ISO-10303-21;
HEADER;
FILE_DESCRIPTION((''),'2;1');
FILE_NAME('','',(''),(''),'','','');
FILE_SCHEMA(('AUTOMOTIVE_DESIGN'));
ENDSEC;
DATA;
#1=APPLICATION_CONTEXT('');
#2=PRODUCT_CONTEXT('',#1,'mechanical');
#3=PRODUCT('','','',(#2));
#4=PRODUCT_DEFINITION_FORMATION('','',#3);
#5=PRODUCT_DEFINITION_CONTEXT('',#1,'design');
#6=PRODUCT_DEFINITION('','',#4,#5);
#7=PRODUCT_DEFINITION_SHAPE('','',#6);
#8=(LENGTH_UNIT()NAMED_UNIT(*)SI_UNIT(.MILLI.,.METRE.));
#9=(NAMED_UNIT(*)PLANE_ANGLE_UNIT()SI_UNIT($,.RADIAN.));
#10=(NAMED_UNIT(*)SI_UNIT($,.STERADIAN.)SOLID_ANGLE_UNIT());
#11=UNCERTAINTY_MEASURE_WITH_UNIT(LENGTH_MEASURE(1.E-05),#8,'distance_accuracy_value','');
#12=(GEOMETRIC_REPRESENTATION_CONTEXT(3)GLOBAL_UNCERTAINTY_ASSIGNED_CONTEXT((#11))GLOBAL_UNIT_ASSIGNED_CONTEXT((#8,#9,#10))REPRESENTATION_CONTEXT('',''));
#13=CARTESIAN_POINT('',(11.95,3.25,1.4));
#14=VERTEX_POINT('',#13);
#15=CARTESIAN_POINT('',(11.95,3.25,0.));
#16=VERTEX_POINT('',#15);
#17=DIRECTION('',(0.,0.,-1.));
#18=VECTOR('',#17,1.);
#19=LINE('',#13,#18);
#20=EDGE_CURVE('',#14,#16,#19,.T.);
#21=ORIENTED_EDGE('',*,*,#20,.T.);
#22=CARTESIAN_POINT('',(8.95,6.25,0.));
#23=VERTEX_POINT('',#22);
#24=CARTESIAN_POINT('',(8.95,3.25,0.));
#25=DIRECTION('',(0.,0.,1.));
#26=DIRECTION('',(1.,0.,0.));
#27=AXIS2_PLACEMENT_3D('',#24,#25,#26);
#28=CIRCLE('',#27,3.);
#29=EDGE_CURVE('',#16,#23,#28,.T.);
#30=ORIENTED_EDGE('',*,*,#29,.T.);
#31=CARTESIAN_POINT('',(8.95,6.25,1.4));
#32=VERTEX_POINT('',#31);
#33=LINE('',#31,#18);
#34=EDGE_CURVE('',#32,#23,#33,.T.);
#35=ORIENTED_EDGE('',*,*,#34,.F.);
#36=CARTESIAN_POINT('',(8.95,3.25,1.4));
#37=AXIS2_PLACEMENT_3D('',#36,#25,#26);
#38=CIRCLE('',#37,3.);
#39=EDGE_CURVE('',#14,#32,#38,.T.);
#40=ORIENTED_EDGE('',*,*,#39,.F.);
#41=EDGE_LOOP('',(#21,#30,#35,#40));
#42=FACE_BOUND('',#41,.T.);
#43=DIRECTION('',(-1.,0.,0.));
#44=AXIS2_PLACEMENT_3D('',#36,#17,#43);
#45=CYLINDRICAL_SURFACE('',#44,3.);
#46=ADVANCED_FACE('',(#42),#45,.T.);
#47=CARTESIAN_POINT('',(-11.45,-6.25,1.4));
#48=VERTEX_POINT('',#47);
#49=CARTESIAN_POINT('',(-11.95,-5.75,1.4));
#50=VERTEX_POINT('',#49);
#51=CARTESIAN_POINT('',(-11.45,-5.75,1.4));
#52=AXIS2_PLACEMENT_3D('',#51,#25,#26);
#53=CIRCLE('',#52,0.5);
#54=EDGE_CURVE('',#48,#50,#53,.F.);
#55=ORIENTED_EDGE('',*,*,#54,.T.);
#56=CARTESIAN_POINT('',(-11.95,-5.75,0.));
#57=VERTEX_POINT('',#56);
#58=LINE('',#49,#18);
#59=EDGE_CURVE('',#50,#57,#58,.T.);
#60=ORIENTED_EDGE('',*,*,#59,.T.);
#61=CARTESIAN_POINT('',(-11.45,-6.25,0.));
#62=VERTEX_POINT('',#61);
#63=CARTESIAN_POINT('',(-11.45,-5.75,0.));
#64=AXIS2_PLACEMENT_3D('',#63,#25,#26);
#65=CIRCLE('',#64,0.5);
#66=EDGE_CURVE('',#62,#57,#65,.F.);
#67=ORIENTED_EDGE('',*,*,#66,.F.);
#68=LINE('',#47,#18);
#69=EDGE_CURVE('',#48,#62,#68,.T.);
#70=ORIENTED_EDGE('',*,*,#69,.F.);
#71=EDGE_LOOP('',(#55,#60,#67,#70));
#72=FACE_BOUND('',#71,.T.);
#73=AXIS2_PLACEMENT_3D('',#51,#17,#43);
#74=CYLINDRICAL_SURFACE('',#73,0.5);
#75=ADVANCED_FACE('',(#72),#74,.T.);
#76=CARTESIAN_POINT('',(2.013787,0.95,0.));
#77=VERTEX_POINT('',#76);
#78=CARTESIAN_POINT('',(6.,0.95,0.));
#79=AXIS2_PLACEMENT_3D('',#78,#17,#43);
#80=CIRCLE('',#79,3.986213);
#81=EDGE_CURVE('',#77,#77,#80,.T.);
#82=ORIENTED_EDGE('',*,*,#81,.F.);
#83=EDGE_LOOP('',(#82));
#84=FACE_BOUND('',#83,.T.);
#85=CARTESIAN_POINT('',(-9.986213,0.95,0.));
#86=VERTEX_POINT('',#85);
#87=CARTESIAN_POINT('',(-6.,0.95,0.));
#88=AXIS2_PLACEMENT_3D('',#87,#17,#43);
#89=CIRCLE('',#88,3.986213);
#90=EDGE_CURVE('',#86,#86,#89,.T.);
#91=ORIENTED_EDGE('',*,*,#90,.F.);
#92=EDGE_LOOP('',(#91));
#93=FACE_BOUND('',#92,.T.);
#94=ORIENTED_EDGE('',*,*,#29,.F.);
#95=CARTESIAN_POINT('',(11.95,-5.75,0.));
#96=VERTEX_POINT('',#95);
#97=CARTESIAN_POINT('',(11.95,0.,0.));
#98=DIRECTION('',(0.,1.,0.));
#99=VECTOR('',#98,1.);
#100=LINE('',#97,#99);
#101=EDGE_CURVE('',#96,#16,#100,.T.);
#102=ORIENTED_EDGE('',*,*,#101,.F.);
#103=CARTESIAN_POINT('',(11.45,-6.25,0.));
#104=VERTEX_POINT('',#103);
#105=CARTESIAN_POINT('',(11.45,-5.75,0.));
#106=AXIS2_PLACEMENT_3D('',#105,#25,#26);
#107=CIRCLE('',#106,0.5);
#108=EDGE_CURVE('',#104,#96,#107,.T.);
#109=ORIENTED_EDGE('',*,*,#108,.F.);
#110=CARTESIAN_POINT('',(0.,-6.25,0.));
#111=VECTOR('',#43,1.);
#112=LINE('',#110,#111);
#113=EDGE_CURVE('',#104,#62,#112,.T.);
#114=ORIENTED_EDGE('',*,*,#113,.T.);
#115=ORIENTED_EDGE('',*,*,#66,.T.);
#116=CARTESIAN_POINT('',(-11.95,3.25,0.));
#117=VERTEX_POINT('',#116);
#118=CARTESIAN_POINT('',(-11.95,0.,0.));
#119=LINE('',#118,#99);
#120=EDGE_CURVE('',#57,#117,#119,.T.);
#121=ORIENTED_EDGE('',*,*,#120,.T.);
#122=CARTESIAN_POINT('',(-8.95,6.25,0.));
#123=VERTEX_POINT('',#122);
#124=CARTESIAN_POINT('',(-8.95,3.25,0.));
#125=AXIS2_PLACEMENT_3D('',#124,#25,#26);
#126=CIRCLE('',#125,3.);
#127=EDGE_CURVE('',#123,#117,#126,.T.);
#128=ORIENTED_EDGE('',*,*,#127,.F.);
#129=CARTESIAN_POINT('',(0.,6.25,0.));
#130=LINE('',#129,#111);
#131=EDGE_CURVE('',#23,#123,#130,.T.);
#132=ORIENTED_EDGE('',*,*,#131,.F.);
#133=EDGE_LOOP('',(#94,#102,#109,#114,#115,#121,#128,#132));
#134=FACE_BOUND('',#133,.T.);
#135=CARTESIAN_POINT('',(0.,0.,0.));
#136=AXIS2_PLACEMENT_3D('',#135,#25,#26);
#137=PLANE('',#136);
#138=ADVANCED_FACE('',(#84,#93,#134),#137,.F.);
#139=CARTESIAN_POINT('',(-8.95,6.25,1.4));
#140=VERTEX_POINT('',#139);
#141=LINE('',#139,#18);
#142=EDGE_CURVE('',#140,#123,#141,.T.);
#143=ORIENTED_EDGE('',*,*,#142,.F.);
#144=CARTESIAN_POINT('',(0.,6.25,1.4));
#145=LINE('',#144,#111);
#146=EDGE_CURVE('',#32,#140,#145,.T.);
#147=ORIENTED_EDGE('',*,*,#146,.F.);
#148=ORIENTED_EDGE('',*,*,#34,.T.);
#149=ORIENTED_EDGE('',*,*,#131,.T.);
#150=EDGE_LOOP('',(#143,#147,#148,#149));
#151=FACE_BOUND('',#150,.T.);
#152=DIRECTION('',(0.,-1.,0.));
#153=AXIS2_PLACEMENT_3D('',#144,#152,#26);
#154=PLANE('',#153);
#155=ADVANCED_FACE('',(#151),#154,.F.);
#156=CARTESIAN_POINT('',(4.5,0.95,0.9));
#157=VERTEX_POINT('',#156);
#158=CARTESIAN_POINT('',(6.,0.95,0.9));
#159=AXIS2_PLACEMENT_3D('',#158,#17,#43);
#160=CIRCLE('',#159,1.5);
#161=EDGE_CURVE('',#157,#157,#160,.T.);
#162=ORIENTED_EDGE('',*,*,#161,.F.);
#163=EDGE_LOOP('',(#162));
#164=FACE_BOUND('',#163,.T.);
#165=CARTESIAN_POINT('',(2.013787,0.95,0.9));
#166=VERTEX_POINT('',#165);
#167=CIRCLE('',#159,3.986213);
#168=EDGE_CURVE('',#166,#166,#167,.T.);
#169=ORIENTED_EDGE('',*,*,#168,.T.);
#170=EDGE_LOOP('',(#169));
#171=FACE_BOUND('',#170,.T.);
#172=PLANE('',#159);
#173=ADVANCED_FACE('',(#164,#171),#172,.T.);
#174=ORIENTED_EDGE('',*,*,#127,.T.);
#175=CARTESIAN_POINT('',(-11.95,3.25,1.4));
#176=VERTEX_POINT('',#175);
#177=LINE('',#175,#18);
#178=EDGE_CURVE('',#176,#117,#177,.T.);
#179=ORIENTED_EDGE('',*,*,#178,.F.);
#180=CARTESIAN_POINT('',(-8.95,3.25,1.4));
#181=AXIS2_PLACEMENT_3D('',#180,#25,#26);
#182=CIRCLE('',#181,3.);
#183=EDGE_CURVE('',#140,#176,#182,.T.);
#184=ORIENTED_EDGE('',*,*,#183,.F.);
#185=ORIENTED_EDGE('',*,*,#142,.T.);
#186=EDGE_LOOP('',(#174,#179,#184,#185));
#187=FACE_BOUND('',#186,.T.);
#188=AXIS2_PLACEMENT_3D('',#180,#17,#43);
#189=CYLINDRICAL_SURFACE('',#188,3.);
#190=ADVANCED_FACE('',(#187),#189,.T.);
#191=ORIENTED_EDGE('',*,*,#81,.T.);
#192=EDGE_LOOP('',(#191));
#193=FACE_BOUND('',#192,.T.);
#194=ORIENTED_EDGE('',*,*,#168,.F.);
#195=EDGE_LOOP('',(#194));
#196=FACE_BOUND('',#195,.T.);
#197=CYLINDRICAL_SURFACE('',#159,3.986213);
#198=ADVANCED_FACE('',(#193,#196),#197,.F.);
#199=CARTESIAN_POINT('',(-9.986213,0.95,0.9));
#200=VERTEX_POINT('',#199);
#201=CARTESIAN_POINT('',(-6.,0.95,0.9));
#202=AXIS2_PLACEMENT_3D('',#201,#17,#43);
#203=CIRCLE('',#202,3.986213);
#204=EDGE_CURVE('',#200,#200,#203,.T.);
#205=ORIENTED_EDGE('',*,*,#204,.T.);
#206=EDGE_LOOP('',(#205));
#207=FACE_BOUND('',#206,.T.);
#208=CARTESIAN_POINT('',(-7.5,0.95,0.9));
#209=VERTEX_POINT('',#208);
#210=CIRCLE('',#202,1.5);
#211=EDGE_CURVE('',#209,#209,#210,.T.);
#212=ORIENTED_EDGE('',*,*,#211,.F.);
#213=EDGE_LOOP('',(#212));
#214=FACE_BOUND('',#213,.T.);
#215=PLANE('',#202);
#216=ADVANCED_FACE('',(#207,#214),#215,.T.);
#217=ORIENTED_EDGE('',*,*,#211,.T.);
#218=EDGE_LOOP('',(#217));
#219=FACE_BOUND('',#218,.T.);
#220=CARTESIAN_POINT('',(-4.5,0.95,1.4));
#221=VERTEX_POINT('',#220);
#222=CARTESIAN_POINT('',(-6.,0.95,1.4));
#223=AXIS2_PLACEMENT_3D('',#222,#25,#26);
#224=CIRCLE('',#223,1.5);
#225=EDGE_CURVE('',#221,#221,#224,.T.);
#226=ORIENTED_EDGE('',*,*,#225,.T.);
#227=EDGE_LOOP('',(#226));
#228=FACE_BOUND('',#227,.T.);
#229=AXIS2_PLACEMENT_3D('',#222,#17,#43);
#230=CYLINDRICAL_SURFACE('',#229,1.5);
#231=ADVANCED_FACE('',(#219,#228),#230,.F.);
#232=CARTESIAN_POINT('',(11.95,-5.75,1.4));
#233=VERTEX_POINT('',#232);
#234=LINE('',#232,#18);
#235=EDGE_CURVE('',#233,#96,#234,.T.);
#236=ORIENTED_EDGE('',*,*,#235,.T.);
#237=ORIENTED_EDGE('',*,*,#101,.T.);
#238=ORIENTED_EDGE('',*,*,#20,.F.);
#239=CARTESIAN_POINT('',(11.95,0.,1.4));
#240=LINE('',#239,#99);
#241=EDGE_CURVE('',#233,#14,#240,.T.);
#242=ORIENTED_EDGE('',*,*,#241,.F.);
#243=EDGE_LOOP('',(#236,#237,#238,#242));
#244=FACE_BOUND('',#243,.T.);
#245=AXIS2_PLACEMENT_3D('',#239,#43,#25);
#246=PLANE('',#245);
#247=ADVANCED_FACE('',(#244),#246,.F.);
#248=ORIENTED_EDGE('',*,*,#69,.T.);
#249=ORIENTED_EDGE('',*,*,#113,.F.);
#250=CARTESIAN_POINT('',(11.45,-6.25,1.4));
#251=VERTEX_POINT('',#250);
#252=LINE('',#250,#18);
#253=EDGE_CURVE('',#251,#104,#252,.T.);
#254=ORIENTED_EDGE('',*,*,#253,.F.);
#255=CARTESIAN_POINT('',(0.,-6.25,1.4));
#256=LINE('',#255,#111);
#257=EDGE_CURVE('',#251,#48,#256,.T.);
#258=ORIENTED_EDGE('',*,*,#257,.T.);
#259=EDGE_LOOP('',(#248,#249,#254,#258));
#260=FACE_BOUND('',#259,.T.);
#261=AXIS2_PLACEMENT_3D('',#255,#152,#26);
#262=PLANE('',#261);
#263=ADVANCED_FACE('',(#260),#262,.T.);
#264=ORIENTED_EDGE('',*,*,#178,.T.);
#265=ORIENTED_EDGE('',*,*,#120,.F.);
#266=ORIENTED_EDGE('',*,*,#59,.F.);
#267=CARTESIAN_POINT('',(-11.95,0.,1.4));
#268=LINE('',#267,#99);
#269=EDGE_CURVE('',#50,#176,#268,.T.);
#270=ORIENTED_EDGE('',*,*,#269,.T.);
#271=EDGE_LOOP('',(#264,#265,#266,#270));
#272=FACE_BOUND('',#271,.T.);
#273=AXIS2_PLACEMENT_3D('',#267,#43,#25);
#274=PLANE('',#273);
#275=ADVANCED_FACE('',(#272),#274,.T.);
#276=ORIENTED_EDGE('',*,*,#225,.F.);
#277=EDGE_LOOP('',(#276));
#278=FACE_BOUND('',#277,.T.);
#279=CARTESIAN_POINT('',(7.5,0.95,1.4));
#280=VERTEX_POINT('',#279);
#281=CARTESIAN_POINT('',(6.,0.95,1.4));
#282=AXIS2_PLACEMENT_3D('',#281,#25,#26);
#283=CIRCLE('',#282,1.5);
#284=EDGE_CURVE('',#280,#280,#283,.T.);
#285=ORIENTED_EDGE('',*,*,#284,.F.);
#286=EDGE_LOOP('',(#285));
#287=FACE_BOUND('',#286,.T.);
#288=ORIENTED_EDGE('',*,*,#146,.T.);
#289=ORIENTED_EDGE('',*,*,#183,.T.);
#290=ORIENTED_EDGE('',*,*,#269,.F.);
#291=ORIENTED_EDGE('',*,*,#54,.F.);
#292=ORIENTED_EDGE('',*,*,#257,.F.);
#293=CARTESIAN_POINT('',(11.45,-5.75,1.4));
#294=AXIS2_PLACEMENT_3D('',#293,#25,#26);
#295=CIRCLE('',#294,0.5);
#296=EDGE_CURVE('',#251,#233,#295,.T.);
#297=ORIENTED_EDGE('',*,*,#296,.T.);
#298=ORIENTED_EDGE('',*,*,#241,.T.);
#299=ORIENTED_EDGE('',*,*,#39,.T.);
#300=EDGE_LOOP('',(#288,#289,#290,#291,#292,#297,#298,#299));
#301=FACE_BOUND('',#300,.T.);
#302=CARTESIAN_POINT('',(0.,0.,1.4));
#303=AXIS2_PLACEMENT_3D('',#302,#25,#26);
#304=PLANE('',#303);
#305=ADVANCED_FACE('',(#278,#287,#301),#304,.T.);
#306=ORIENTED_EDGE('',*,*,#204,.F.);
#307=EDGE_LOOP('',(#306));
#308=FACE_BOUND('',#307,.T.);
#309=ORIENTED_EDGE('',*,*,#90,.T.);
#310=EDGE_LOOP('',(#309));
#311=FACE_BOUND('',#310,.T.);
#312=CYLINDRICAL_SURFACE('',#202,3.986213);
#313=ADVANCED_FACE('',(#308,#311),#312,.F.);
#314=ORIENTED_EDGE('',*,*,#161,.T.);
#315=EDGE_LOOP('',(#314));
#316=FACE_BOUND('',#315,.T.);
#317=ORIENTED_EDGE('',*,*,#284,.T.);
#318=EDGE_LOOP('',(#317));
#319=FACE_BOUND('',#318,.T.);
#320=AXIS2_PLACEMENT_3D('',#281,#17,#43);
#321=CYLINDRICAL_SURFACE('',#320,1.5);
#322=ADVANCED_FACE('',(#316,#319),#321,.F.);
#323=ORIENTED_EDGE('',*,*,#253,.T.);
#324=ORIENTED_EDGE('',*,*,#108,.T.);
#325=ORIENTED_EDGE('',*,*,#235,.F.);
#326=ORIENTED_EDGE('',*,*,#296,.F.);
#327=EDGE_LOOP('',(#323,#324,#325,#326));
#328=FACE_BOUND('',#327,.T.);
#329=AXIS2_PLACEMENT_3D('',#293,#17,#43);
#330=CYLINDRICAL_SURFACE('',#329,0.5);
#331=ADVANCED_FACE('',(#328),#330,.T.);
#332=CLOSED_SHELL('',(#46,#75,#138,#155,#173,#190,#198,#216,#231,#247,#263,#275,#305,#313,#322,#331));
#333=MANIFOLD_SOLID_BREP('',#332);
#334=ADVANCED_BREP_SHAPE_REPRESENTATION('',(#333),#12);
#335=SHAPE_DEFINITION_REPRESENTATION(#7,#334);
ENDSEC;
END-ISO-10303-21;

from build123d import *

# Parameters (mm, degrees)
SKICA1_W                 = 1.7
SKICA1_H                 = 7.8
SKICA1_R                 = 1.5
P_IDAT_VYSUNUT_M3_DEPTH  = 1.4
SKICA3_R                 = 3.986213299
ODEBRAT_VYSUNUT_M1_DEPTH = 0.9
SKICA7_W                 = 1.7
SKICA7_H                 = 7.8
P_IDAT_VYSUNUT_M5_DEPTH  = 1.4


with BuildPart() as part:
    # Skica1 → Přidat vysunutím3 (new body)
    with BuildSketch(Plane.XY):
        with BuildLine():
            Line((-11.45, -6.25), (11.45, -6.25))
            ThreePointArc((11.45, -6.25), (11.803553391, -6.103553391), (11.95, -5.75))
            Line((11.95, -5.75), (11.95, 3.25))
            ThreePointArc((11.95, 3.25), (11.071320344, 5.371320344), (8.95, 6.25))
            Line((8.95, 6.25), (-8.95, 6.25))
            ThreePointArc((-8.95, 6.25), (-11.071320344, 5.371320344), (-11.95, 3.25))
            Line((-11.95, 3.25), (-11.95, -5.75))
            ThreePointArc((-11.95, -5.75), (-11.803553391, -6.103553391), (-11.45, -6.25))
        make_face()
        Rectangle(SKICA1_W, SKICA1_H, mode=Mode.SUBTRACT)
        with Locations((-6, 0.95)):
            Circle(SKICA1_R, mode=Mode.SUBTRACT)
        with Locations((6, 0.95)):
            Circle(SKICA1_R, mode=Mode.SUBTRACT)
    extrude(amount=P_IDAT_VYSUNUT_M3_DEPTH)

    # Skica3 → Odebrat vysunutím1 (cut)
    with BuildSketch(Plane(origin=(0, 0, 0), x_dir=(-1, 0, 0), z_dir=(0, 0, -1))):
        with Locations((-6, 0.95)):
            Circle(SKICA3_R)
        with Locations((6, 0.95)):
            Circle(SKICA3_R)
    extrude(amount=-ODEBRAT_VYSUNUT_M1_DEPTH, mode=Mode.SUBTRACT)

    # Skica7 → Přidat vysunutím5 (add)
    with BuildSketch(Plane(origin=(0, 0, 0), x_dir=(-1, 0, 0), z_dir=(0, 0, -1))):
        Rectangle(SKICA7_W, SKICA7_H)
    extrude(amount=-P_IDAT_VYSUNUT_M5_DEPTH)


solid = part.part
